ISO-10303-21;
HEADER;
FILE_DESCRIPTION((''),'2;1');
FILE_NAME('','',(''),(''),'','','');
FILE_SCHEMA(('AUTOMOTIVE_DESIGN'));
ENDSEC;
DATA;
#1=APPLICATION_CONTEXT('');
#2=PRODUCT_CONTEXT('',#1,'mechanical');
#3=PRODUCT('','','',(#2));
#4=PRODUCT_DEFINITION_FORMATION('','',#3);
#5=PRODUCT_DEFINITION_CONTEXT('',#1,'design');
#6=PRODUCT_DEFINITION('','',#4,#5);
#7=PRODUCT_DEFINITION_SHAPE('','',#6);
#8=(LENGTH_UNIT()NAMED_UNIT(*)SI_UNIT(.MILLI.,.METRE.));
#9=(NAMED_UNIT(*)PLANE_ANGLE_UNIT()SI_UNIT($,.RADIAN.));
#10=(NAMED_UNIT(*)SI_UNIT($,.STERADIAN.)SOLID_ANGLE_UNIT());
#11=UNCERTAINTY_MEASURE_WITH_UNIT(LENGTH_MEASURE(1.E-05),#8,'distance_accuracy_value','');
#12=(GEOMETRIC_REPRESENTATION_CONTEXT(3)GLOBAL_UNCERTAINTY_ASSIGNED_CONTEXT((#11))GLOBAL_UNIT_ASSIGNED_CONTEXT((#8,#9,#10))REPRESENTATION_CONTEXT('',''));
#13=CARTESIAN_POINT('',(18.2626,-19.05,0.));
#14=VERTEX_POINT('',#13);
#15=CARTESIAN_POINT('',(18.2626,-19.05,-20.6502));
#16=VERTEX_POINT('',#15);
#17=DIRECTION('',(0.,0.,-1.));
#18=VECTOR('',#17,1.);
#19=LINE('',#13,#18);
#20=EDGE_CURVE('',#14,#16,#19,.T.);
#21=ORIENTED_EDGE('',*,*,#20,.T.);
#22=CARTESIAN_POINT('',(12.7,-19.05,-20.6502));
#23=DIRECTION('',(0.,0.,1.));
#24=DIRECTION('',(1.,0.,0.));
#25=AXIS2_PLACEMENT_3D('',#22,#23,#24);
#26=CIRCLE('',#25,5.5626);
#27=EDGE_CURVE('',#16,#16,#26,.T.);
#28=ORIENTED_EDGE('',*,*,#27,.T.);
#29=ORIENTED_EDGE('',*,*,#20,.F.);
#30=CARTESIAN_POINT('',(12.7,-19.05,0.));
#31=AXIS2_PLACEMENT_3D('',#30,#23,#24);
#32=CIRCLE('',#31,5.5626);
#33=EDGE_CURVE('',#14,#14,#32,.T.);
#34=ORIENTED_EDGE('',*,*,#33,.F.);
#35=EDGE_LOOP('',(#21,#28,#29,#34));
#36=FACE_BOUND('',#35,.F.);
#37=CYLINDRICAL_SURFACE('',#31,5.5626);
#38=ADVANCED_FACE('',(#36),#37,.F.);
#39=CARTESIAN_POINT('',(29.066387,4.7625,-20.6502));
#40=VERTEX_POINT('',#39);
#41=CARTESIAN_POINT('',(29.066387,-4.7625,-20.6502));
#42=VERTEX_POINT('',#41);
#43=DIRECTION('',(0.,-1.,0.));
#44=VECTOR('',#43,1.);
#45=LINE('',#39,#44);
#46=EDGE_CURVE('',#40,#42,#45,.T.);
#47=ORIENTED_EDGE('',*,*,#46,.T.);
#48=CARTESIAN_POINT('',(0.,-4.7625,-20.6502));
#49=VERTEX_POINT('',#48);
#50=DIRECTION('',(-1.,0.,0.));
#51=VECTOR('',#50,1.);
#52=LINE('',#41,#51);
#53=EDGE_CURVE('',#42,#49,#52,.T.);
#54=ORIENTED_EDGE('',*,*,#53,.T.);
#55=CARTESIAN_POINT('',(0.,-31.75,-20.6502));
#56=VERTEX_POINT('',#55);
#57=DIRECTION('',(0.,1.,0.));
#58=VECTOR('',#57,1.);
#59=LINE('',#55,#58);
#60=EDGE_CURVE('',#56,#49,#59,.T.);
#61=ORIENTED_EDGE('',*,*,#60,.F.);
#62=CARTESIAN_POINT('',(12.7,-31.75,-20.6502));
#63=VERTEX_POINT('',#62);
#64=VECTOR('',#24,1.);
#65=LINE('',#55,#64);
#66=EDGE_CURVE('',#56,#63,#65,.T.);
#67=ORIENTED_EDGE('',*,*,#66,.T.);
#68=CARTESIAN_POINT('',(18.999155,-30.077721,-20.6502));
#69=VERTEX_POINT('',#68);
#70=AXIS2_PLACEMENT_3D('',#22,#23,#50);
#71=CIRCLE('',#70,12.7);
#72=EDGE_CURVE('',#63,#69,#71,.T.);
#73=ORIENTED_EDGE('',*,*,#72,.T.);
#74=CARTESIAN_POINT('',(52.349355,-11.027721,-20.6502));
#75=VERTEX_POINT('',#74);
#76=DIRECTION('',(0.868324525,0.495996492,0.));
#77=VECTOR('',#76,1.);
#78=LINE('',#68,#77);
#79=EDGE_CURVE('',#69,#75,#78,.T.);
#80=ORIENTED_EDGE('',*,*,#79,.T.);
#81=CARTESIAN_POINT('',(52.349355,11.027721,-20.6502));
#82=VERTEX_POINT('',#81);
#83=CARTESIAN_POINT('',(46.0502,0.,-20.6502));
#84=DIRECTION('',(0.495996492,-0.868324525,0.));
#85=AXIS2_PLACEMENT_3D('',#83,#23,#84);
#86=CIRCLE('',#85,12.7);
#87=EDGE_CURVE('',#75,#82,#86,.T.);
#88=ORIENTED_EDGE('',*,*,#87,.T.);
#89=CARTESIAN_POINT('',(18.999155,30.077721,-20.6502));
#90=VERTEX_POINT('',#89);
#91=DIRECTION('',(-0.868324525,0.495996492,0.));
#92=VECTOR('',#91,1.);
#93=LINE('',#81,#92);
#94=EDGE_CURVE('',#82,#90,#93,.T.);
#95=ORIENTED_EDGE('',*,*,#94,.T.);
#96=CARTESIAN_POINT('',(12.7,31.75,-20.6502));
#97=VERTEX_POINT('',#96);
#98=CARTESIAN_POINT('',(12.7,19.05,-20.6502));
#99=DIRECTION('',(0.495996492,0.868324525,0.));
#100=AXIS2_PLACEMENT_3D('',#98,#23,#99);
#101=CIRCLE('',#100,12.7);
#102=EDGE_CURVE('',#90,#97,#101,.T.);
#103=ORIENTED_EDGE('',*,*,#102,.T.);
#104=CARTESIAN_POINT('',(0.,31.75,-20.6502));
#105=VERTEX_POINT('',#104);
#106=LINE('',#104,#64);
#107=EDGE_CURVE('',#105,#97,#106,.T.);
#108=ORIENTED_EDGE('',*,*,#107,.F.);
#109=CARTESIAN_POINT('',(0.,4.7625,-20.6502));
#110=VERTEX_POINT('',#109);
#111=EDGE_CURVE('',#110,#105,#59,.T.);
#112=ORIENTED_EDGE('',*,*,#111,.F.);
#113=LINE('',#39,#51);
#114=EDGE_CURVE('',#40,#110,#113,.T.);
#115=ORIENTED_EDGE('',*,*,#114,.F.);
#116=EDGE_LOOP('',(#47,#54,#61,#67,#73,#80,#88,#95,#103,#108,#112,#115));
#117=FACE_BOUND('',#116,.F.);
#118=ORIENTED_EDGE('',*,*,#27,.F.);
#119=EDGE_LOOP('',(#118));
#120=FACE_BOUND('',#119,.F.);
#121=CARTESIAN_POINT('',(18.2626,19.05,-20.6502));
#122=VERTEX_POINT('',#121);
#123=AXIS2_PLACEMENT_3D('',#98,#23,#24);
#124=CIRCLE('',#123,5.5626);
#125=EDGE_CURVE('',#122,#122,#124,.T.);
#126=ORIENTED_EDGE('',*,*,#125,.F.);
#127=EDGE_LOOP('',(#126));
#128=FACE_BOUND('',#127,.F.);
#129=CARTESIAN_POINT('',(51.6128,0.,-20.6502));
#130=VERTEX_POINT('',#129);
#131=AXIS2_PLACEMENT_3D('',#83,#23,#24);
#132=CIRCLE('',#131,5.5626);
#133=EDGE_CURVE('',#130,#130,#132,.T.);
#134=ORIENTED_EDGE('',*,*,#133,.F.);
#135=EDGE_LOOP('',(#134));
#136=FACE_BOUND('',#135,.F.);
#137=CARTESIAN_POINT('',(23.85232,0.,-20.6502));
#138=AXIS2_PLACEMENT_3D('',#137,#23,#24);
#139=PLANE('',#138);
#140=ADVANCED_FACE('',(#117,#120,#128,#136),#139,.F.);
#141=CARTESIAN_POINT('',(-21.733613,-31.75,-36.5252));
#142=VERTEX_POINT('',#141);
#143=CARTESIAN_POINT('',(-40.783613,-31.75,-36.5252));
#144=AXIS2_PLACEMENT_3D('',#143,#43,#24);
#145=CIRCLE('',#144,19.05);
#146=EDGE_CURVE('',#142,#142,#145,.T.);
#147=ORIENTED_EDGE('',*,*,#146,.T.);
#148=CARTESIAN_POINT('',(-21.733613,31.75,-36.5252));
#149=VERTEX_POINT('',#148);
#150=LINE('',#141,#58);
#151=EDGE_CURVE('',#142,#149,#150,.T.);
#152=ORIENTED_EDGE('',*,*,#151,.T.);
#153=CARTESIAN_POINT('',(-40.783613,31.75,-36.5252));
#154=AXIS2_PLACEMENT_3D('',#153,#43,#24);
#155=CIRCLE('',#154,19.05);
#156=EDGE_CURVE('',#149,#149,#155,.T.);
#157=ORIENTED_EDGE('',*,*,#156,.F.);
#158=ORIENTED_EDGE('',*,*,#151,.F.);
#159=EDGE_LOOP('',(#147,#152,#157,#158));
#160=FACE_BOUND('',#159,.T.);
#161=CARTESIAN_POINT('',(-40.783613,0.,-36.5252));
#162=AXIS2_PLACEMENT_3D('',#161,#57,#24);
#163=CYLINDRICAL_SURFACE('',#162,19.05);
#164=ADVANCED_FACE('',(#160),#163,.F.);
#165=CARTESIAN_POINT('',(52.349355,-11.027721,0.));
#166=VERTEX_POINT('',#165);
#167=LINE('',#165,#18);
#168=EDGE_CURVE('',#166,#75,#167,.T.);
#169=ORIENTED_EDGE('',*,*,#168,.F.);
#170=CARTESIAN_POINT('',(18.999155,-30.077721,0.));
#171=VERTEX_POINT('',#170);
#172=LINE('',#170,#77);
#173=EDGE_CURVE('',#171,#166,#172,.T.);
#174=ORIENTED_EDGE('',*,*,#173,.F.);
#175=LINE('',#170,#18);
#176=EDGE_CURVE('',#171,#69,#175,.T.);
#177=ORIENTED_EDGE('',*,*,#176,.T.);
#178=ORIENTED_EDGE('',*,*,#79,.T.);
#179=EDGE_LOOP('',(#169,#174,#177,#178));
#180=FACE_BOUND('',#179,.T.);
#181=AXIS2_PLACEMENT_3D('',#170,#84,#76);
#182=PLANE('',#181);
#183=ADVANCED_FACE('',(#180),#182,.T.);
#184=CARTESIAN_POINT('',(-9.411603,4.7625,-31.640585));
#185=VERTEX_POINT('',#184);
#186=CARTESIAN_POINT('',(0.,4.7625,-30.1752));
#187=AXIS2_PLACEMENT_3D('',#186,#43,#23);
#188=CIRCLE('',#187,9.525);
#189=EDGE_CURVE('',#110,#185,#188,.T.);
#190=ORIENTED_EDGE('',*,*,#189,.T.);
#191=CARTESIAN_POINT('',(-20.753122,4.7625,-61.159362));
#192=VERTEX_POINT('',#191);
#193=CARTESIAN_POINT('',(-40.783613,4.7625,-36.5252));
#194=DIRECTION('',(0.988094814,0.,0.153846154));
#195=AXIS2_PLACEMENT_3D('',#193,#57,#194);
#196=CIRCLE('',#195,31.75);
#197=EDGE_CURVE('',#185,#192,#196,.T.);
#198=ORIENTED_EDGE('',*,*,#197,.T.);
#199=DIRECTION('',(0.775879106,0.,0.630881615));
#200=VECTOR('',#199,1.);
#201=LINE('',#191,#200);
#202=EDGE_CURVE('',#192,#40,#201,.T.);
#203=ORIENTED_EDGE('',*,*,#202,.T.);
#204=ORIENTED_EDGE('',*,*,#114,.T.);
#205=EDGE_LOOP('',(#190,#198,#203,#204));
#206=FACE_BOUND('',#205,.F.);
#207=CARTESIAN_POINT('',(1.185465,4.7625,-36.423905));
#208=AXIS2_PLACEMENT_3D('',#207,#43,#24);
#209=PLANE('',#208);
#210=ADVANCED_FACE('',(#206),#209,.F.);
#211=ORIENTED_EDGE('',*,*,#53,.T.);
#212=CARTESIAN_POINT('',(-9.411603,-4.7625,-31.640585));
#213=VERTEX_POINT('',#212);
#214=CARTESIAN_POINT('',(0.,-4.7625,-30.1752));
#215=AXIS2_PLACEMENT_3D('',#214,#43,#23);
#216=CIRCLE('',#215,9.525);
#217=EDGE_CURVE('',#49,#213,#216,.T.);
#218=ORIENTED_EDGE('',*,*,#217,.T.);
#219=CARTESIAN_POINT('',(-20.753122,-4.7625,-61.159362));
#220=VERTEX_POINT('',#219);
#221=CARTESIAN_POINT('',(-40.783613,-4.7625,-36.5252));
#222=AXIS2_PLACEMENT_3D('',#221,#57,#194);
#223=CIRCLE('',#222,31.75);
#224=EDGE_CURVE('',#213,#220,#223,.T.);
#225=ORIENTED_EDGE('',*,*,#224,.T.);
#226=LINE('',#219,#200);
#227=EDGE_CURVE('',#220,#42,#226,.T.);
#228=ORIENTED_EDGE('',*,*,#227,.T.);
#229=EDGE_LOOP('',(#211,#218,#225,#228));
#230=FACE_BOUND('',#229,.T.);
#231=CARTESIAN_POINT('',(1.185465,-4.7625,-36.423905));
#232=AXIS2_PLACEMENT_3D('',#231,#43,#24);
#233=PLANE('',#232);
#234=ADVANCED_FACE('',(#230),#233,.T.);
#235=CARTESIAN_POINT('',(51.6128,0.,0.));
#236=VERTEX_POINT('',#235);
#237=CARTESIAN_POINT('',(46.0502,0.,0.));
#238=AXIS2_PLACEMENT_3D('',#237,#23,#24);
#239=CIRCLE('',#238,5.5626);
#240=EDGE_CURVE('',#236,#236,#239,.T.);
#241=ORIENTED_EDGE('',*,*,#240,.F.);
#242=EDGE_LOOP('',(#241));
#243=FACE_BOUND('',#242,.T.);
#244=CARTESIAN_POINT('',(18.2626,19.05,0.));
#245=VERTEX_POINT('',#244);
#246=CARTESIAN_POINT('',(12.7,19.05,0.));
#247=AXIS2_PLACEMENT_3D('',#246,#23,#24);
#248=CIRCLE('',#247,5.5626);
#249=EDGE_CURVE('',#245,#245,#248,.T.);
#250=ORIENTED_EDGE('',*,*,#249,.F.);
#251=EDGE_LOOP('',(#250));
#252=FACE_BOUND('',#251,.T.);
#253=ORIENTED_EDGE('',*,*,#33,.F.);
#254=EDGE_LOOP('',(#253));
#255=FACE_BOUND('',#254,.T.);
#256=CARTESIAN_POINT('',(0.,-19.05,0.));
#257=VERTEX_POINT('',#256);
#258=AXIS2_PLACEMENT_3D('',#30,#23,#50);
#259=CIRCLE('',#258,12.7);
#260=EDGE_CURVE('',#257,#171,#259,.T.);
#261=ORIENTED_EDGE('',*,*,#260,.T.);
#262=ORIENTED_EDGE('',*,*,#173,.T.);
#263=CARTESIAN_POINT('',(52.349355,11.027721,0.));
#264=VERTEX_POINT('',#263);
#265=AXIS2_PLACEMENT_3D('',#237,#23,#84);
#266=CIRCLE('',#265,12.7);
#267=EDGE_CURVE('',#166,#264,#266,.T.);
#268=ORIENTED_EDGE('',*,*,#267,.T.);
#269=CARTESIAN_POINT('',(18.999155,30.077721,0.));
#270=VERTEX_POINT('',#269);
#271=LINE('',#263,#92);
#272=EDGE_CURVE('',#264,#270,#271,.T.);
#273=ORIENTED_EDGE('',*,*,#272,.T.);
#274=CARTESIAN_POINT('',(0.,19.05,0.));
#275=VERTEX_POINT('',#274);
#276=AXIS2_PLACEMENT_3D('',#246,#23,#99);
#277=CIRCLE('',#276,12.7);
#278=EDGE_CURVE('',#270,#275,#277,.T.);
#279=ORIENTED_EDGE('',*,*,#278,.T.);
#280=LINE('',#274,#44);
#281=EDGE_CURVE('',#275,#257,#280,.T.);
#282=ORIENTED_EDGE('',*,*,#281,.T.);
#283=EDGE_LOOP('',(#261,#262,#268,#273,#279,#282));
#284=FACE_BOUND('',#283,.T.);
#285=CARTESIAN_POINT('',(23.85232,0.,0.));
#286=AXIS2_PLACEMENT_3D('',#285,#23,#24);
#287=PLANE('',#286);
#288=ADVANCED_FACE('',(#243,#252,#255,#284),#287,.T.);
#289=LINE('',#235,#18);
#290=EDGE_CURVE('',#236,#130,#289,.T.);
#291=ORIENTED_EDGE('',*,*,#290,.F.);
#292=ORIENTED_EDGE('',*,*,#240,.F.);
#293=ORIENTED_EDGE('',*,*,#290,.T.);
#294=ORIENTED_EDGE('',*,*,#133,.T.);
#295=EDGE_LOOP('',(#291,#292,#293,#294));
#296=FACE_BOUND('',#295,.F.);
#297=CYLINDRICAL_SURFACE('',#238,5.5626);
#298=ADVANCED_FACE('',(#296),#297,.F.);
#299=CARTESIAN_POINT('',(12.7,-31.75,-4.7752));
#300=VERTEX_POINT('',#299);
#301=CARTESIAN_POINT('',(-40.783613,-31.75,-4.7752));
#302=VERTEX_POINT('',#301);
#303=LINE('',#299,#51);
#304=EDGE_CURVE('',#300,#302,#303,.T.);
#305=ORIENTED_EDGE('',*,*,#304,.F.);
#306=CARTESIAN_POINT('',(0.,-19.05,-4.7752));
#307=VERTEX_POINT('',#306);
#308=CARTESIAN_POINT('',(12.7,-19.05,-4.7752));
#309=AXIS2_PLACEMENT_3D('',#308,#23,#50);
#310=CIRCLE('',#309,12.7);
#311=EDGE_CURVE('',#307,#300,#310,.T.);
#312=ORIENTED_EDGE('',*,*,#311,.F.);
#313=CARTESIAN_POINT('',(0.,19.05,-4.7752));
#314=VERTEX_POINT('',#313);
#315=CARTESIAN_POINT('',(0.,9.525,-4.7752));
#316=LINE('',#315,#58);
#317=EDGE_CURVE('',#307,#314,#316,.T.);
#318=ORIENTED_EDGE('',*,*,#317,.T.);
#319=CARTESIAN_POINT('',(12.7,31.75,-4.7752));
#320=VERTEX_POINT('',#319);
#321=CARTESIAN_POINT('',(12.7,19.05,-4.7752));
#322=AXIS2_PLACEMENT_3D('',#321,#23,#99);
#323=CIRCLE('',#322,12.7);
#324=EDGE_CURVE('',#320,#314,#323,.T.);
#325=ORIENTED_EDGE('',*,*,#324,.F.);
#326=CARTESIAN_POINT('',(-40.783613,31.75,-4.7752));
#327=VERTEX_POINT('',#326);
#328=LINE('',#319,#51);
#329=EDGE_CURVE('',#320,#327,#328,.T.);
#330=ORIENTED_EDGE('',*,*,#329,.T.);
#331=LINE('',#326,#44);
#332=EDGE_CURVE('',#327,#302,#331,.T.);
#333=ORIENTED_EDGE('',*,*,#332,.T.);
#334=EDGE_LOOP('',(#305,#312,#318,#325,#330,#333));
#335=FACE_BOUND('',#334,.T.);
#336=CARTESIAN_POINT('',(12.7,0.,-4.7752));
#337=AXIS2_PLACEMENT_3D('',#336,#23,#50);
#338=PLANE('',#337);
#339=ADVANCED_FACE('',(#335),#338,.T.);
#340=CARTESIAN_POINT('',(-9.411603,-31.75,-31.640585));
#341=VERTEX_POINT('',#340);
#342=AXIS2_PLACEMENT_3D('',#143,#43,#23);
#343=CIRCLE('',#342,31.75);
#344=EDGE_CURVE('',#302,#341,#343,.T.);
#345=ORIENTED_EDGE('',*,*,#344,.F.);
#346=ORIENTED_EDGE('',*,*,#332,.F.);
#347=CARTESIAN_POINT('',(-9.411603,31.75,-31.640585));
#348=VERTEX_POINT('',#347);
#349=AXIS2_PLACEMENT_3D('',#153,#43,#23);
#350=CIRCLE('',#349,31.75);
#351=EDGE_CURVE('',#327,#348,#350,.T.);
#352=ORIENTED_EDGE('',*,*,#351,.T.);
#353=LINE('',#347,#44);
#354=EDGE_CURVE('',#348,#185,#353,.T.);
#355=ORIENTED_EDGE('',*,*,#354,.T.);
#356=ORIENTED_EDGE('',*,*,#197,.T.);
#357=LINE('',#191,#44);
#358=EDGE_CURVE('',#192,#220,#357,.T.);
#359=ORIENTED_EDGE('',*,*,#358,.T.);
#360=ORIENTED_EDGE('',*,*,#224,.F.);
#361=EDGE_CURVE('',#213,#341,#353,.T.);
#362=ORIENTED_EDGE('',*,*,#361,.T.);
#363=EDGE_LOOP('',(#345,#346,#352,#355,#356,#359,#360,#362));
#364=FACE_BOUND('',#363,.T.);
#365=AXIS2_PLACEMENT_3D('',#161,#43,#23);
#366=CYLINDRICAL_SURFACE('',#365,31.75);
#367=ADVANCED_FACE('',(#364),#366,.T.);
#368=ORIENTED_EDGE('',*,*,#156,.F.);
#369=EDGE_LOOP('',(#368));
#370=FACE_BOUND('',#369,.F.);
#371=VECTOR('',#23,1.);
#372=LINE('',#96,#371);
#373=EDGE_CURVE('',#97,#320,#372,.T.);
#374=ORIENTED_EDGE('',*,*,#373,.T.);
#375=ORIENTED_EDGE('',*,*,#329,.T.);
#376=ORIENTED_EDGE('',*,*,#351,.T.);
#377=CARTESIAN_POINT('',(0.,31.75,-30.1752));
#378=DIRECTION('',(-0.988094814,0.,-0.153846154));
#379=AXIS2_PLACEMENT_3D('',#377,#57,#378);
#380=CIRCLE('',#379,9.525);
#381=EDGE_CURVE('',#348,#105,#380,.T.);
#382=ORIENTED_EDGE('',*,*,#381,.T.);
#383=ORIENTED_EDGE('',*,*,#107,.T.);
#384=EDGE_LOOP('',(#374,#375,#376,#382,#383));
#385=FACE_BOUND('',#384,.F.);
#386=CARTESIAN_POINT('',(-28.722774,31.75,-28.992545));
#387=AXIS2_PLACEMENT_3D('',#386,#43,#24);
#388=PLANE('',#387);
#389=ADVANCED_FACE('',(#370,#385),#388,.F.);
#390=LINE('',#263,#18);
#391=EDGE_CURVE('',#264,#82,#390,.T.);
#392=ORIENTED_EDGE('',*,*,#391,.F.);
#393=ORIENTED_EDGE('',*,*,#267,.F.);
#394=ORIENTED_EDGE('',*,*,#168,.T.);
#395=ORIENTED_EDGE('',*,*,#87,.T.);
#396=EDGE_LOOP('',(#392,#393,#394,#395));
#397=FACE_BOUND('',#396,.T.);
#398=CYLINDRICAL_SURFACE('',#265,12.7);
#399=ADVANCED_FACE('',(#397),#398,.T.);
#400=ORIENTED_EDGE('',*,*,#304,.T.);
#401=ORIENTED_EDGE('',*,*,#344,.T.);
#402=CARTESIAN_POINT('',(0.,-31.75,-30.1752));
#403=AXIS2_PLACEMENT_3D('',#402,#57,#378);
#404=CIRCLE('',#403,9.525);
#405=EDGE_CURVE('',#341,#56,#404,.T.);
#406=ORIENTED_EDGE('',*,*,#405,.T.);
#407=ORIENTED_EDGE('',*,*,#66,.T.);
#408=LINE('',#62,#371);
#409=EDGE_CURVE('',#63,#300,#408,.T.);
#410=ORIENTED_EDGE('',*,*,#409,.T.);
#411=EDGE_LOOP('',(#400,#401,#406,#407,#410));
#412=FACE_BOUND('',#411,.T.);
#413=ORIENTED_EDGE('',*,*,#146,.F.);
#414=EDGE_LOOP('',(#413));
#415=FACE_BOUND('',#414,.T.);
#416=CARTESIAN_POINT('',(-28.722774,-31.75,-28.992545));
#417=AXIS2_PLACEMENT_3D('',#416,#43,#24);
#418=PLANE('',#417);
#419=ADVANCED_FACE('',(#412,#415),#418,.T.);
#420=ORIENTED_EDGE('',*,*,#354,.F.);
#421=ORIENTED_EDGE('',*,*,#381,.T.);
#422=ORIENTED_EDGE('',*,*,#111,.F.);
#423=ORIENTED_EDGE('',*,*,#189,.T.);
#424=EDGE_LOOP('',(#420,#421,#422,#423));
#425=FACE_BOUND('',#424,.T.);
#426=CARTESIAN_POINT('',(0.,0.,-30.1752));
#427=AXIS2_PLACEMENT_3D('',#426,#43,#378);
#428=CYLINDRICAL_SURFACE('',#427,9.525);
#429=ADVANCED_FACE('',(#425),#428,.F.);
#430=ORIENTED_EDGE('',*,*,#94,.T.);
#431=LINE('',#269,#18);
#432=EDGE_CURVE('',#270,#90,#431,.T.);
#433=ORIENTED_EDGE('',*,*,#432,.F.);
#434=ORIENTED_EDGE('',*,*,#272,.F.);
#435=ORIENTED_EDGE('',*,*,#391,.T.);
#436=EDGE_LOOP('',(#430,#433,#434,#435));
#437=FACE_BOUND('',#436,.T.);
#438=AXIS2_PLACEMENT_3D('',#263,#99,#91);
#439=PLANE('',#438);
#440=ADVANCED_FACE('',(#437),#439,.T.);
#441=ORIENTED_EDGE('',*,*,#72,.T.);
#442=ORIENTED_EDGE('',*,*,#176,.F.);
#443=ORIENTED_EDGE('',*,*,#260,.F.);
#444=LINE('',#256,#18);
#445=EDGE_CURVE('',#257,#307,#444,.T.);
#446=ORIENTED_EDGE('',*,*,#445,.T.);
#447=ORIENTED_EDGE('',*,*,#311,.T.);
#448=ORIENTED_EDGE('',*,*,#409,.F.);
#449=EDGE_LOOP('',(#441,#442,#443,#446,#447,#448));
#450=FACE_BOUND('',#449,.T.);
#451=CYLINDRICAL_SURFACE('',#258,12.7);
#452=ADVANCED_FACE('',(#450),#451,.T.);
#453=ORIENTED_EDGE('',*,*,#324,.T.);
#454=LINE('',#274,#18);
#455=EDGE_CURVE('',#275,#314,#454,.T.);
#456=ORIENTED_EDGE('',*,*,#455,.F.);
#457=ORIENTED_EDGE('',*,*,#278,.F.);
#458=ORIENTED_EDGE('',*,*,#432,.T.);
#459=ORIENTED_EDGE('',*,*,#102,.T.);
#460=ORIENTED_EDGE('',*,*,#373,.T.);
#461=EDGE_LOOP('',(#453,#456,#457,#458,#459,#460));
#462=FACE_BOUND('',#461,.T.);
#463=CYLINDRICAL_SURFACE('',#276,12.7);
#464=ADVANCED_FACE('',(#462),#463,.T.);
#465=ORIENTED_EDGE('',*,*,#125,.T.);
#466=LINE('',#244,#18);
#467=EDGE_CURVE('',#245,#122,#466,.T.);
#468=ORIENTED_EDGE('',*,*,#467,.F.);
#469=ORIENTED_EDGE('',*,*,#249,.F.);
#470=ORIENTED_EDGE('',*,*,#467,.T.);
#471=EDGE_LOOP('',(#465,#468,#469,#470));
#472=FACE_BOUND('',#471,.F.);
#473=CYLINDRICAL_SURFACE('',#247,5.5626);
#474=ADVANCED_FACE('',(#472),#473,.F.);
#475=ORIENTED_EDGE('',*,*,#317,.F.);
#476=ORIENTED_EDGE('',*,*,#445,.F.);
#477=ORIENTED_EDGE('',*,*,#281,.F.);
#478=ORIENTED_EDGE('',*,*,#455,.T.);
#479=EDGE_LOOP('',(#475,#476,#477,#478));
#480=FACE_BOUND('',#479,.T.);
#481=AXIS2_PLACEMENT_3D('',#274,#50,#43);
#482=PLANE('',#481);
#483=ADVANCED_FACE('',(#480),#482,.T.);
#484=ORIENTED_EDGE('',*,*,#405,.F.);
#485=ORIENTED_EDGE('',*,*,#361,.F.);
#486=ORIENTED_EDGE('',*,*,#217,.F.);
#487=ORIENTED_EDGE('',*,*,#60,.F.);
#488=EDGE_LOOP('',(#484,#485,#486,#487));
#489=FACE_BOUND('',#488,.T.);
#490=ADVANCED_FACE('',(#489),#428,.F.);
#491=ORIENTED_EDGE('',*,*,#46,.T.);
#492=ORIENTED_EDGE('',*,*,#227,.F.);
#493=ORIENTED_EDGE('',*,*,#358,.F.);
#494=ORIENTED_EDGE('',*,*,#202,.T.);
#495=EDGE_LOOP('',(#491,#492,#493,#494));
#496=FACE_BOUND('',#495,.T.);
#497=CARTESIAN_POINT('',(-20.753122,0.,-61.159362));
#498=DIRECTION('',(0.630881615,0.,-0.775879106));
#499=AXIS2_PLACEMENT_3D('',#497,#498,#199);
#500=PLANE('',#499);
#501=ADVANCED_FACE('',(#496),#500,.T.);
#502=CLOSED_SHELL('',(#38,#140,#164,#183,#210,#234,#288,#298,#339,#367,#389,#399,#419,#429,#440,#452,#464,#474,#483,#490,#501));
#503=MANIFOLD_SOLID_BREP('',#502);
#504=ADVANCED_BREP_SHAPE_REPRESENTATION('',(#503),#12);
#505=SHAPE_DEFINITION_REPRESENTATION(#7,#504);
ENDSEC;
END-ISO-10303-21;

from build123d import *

# Parameters (mm, degrees)
F0_R     = 5.5626
F1_DEPTH = 20.6502
F2_R     = 19.05
F3_DEPTH = 31.75
F5_DEPTH = 4.7625
F6_R     = 5.5626
F7_DEPTH = 68.2762


with BuildPart() as f1:
    # F0 (on Top) → F1 (new body)
    with BuildSketch(Plane.XY):
        with BuildLine():
            ThreePointArc((18.9991554441, 30.0777214642), (6.3246284085, 30.0338352623), (0, 19.05))
            Line((0, 19.05), (0, -19.05))
            ThreePointArc((0, -19.05), (6.3246284085, -30.0338352623), (18.9991554441, -30.0777214642))
            Line((18.9991554441, -30.0777214642), (52.3493554441, -11.0277214642))
            ThreePointArc((52.3493554441, -11.0277214642), (58.7502, 0), (52.3493554441, 11.0277214642))
            Line((52.3493554441, 11.0277214642), (18.9991554441, 30.0777214642))
        make_face()
        with Locations((12.7, -19.05)):
            Circle(F0_R, mode=Mode.SUBTRACT)
        with Locations((12.7, 19.05)):
            Circle(F0_R, mode=Mode.SUBTRACT)
        with Locations((46.0502, 0)):
            Circle(F0_R, mode=Mode.SUBTRACT)
    extrude(amount=-F1_DEPTH)

    # F2 (on Front) → F3 (join, symmetric)
    with BuildSketch(Plane.XZ):
        with BuildLine():
            Line((12.7, -4.7752), (-40.7836134373, -4.7752))
            ThreePointArc((-40.7836134373, -4.7752), (-61.4351988672, -60.6410561787), (-9.4116031009, -31.6405846154))
            ThreePointArc((-9.4116031009, -31.6405846154), (-7.2347568536, -23.979724371), (0, -20.6502))
            Line((0, -20.6502), (12.7, -20.6502))
            Line((12.7, -20.6502), (12.7, -4.7752))
        make_face()
        with Locations((-40.7836134373, -36.5252)):
            Circle(F2_R, mode=Mode.SUBTRACT)
    extrude(amount=F3_DEPTH, both=True)

    # F4 (on Front) → F5 (join, symmetric)
    with BuildSketch(Plane.XZ):
        with BuildLine():
            ThreePointArc((-9.4116031009, -31.6405846154), (-11.1459036377, -47.9124146654), (-20.7531221582, -61.1593616281))
            Line((-20.7531221582, -61.1593616281), (29.0663865627, -20.6502))
            Line((29.0663865627, -20.6502), (0, -20.6502))
            ThreePointArc((0, -20.6502), (-7.2347568536, -23.979724371), (-9.4116031009, -31.6405846154))
        make_face()
    extrude(amount=F5_DEPTH, both=True)

    # F6 (on face) → F7 (cut, through all)
    with BuildSketch(Plane.XY):
        with Locations((12.7, -19.05)):
            Circle(F6_R)
        with Locations((12.7, 19.05)):
            Circle(F6_R)
    extrude(amount=-F7_DEPTH, mode=Mode.SUBTRACT)


solid = f1.part
